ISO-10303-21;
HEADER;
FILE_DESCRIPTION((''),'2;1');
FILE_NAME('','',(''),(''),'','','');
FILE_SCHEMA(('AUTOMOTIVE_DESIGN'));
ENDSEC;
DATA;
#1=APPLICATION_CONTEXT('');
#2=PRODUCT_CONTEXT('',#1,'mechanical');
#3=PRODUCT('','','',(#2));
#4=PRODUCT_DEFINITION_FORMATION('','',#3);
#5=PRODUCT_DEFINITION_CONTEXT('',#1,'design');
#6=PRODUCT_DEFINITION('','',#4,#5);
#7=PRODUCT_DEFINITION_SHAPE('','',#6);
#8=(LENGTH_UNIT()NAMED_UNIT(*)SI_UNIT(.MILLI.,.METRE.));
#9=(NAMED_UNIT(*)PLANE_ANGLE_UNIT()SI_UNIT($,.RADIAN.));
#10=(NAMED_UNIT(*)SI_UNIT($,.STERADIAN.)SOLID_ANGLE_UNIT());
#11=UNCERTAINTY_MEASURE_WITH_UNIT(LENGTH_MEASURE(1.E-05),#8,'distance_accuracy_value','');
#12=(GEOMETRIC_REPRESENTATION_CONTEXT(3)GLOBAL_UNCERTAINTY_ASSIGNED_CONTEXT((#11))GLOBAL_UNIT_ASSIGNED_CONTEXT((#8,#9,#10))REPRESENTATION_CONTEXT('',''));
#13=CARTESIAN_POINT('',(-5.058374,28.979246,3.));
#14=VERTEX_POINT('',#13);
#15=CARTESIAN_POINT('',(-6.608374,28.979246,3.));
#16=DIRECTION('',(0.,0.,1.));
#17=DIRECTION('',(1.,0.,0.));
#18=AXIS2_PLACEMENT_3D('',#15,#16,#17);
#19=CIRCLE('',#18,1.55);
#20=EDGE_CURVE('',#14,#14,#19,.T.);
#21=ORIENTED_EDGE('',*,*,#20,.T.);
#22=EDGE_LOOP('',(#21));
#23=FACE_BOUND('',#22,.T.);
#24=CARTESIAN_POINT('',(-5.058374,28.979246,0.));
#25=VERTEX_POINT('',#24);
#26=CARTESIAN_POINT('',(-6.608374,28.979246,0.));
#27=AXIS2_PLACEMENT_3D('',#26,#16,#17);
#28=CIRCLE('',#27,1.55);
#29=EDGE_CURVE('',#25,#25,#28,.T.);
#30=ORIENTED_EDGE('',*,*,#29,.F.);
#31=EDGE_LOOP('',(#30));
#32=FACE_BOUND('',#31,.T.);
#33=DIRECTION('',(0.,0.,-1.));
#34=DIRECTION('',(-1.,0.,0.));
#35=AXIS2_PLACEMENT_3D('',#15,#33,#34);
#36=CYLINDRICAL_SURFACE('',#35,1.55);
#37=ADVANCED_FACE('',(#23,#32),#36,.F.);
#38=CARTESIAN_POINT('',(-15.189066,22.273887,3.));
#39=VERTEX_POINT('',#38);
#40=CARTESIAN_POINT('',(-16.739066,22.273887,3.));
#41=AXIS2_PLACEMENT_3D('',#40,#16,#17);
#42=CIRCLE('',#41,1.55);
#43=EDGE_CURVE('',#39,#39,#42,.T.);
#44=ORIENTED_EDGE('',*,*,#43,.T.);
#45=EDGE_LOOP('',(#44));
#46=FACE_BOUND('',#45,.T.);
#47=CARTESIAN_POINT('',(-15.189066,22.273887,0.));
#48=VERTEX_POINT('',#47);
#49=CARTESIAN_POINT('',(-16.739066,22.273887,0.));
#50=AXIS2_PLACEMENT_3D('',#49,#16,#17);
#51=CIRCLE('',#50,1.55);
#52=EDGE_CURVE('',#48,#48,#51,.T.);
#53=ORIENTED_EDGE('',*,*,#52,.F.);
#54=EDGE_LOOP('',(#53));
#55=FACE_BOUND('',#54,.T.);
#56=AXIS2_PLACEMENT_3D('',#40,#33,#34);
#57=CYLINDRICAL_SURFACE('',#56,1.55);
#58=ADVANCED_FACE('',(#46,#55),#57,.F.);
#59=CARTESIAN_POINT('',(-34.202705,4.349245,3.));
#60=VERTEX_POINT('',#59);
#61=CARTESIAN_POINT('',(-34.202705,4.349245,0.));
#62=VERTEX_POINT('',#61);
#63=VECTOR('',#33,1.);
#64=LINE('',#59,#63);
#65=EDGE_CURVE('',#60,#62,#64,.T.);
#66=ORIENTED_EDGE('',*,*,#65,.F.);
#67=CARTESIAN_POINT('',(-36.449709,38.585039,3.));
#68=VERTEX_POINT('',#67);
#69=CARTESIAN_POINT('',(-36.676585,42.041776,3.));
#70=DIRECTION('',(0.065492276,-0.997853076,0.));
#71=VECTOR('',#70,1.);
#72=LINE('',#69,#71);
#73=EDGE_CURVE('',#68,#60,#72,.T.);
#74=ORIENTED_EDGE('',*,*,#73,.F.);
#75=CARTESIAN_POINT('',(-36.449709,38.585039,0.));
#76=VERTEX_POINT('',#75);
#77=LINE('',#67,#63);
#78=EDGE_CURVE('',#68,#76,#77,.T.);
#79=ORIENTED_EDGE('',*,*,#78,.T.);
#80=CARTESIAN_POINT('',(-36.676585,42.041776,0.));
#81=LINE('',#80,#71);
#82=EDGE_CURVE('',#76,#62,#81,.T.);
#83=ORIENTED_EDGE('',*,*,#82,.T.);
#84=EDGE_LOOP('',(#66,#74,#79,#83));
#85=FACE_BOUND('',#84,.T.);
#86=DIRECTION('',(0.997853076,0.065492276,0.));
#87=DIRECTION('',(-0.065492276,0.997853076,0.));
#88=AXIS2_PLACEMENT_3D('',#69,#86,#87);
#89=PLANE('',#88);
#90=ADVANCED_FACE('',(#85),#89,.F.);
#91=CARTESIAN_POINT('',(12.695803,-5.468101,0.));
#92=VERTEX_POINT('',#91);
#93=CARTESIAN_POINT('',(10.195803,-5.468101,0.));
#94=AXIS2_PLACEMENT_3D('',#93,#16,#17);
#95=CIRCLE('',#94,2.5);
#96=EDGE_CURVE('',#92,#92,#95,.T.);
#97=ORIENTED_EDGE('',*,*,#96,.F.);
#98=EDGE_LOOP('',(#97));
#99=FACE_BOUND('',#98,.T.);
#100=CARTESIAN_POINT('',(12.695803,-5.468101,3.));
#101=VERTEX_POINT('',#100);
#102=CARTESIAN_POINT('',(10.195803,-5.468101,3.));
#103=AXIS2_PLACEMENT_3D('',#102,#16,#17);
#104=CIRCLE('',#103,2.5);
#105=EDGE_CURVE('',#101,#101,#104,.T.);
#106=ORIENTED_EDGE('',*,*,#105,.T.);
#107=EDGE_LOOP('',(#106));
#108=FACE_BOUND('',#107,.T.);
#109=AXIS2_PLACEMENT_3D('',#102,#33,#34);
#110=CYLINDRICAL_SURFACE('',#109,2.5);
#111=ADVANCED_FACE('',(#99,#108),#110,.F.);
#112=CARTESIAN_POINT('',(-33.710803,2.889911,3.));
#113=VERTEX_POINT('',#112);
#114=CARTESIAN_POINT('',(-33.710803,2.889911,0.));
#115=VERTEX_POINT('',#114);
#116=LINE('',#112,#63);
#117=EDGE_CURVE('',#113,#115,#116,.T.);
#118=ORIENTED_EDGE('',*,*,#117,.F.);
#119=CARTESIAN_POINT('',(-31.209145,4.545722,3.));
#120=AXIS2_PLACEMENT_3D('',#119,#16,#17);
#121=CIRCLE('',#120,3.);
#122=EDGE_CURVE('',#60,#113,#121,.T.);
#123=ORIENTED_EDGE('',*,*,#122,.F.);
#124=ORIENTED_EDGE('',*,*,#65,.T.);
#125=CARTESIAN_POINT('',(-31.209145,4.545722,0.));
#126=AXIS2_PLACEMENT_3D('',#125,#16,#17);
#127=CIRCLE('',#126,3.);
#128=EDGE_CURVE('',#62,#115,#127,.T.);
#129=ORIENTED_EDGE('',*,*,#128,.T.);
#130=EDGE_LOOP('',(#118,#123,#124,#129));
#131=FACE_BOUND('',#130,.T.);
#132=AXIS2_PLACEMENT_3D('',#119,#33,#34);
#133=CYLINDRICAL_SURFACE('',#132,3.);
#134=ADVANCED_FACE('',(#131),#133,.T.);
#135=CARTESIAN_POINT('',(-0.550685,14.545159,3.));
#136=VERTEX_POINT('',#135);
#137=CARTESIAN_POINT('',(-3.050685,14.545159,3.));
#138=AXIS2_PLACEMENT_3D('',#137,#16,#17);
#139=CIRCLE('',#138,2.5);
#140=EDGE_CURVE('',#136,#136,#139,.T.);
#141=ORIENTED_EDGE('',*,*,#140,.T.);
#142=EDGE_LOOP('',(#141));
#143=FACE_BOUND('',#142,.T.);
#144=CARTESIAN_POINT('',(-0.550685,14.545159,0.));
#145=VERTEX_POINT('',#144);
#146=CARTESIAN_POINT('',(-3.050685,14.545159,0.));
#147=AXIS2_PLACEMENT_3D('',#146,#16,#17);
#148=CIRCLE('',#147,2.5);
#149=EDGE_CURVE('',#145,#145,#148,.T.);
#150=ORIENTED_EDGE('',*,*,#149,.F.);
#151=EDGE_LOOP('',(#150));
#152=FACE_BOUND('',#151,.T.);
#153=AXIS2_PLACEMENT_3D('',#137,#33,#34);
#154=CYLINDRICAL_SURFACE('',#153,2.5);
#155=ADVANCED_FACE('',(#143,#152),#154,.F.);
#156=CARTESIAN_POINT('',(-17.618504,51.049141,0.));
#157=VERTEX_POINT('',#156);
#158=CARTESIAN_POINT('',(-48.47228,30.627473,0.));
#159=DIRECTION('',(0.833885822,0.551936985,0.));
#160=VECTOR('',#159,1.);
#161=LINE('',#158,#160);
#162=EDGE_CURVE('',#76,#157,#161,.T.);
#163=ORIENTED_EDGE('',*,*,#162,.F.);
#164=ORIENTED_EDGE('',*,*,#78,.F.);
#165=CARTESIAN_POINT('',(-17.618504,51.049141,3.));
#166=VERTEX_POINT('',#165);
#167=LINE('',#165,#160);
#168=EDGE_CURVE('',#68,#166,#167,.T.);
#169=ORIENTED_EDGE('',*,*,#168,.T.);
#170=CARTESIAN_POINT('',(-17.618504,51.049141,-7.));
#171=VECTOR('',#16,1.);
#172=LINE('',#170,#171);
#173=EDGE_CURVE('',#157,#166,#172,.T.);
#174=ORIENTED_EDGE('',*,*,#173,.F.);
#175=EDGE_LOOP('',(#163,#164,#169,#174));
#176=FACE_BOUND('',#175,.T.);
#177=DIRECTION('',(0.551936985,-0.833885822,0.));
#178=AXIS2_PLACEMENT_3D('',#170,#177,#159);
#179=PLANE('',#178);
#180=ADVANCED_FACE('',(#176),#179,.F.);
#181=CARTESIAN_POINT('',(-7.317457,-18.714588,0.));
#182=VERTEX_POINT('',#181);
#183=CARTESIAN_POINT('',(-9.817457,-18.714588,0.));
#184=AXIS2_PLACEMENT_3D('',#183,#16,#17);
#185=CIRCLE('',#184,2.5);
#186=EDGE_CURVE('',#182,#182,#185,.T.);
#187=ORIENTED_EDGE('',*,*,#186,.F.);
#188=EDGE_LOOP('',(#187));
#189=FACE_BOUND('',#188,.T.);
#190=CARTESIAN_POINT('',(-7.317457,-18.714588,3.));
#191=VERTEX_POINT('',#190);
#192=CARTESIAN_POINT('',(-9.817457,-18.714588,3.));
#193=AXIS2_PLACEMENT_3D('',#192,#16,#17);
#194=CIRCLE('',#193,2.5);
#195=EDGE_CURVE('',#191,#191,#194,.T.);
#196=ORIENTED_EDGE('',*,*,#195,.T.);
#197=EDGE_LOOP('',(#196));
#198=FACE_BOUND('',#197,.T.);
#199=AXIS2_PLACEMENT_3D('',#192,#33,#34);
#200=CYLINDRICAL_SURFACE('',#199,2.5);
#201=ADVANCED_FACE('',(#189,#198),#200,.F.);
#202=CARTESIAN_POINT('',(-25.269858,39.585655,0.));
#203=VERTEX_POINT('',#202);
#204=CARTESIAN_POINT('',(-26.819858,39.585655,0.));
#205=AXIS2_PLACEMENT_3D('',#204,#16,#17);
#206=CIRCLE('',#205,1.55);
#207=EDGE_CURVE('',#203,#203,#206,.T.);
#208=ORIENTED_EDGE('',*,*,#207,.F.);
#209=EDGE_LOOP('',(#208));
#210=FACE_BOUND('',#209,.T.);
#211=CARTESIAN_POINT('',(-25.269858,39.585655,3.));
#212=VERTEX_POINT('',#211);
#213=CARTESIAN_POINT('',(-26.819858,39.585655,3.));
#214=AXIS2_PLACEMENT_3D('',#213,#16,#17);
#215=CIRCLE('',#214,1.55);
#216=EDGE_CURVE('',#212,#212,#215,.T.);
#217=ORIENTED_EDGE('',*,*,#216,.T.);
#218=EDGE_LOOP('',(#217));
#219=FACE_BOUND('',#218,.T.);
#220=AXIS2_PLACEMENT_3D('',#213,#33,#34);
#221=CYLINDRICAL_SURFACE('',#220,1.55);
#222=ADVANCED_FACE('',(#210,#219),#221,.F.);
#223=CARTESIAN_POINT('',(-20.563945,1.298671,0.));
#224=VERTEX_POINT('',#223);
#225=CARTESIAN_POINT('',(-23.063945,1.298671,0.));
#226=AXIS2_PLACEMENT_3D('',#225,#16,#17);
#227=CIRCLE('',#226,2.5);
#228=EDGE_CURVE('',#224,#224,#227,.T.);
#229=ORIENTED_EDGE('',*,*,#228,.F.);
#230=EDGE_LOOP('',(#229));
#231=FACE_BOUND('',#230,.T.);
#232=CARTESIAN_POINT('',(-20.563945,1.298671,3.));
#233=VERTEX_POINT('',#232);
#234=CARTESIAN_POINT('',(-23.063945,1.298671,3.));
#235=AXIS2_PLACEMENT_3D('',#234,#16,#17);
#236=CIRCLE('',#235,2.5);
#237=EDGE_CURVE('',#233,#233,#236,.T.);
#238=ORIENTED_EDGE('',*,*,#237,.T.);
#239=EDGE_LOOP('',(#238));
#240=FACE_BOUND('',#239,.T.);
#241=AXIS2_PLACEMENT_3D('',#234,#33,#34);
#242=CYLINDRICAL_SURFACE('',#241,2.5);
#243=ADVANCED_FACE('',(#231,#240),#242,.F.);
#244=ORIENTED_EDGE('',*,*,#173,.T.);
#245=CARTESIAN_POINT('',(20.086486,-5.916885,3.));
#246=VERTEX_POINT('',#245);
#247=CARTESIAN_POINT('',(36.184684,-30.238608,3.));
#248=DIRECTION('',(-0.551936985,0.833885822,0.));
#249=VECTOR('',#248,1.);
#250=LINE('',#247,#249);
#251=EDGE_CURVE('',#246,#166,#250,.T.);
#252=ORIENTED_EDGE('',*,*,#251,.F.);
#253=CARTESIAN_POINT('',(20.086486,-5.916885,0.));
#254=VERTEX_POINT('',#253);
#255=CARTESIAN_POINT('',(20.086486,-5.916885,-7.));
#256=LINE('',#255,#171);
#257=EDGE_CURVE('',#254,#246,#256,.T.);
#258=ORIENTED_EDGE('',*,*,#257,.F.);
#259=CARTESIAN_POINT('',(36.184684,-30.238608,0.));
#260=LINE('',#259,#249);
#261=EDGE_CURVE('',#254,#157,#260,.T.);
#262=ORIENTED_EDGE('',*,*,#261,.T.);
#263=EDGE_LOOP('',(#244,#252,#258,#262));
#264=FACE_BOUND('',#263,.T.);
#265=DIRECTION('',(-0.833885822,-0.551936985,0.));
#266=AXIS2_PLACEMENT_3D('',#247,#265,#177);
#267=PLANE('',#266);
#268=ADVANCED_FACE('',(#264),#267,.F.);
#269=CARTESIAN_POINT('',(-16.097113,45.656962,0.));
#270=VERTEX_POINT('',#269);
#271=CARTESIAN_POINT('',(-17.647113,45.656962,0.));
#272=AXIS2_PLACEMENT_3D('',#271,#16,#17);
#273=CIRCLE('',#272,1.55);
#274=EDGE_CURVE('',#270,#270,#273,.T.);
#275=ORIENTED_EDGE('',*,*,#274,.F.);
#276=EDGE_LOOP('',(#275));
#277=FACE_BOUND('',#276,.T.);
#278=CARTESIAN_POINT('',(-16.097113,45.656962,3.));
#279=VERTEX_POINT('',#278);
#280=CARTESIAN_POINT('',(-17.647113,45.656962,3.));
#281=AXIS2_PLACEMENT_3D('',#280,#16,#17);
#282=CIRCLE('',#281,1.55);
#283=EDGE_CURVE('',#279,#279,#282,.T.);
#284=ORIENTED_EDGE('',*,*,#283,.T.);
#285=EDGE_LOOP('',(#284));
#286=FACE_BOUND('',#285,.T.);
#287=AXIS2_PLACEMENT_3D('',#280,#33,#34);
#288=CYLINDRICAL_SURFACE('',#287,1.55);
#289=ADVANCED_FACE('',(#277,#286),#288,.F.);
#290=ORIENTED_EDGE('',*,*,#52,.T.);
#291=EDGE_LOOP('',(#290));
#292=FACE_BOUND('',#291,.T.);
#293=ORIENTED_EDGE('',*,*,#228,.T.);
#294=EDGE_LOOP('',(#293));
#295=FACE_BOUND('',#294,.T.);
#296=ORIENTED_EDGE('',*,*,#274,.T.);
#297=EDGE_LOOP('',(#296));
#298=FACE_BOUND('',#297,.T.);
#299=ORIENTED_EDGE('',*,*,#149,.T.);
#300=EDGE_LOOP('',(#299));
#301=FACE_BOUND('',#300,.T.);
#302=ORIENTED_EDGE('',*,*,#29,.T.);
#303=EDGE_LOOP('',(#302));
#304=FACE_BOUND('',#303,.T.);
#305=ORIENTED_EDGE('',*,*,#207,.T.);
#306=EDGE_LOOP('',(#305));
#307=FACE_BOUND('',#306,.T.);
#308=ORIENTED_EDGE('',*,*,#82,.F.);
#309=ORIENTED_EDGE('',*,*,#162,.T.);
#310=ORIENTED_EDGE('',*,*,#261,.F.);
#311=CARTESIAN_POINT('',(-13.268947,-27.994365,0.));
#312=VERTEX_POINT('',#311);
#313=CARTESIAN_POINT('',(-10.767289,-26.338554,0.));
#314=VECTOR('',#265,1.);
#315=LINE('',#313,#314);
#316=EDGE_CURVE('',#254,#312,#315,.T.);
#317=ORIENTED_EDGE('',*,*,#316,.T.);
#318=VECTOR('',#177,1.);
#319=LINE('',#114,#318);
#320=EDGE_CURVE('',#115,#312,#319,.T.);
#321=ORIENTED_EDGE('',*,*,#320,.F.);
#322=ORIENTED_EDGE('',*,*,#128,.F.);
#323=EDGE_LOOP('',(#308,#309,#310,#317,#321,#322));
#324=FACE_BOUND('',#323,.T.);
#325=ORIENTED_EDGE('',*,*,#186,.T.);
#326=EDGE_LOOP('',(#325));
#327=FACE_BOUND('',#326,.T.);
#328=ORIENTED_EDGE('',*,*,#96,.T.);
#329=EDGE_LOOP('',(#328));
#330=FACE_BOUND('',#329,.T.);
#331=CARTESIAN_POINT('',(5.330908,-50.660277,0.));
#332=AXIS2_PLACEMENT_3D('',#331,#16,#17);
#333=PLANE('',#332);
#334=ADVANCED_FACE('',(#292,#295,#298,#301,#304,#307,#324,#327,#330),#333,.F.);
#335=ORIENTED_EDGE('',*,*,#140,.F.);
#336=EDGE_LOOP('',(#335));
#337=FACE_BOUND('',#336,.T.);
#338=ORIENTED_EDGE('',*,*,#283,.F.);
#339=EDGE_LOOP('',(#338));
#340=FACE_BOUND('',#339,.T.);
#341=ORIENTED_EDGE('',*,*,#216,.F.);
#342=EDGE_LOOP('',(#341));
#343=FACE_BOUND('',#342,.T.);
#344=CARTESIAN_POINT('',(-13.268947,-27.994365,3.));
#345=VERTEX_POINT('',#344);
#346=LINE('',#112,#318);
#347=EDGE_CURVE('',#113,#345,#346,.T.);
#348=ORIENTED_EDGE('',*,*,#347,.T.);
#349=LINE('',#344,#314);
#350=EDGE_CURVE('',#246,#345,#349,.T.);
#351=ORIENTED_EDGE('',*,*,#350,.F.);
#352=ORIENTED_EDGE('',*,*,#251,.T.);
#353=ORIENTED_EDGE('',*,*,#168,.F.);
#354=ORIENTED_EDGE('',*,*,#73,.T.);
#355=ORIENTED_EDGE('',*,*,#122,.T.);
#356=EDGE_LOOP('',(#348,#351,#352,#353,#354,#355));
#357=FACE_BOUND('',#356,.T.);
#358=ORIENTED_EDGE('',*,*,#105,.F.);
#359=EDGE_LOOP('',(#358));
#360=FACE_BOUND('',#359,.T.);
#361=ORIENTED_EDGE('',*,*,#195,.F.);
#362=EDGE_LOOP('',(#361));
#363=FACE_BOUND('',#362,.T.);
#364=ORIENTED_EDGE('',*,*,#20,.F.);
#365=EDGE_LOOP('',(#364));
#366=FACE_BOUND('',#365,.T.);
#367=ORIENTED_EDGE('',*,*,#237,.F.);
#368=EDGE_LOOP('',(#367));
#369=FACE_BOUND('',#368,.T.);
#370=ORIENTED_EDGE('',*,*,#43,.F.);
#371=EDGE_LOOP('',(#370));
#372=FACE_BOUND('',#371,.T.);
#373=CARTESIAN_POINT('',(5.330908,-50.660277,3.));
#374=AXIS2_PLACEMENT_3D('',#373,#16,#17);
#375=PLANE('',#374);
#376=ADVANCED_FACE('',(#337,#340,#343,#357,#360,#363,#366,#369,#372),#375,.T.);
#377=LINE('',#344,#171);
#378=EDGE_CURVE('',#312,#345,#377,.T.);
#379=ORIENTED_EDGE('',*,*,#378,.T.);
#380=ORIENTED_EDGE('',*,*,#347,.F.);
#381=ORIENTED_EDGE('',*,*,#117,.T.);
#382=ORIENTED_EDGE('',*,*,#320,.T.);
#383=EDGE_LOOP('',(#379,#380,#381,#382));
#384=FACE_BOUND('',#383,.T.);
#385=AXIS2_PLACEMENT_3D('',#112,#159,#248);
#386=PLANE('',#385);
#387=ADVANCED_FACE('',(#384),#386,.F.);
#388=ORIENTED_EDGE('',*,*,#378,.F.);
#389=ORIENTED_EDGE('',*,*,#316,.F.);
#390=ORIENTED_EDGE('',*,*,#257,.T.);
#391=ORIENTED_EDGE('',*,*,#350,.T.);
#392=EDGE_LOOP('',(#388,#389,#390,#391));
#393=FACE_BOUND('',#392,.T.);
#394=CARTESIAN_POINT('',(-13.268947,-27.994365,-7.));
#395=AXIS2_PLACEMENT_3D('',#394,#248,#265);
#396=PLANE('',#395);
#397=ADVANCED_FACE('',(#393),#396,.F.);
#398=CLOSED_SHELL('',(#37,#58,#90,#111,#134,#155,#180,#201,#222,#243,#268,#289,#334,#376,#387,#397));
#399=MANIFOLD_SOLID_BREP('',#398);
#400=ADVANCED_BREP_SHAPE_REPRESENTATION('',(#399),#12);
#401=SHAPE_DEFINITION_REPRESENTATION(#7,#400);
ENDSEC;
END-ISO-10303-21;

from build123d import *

# Parameters (mm, degrees)
EXTRUDE_1_DEPTH     = 3
CUT_EXTRUDE_1_DEPTH = 10
CUT_EXTRUDE_2_DEPTH = 10


with BuildPart() as part:
    # 草图1 → 凸台-拉伸1 (new body)
    with BuildSketch(Plane.XY):
        with BuildLine():
            Line((6.986719164, -53.161934409), (35.338837115, -34.396076908))
            ThreePointArc((35.338837115, -34.396076908), (36.622800273, -32.492523245), (36.184683625, -30.238608486))
            Line((36.184683625, -30.238608486), (-18.457077921, 52.316087899))
            ThreePointArc((-18.457077921, 52.316087899), (-20.360631584, 53.600051056), (-22.614546343, 53.161934409))
            Line((-22.614546343, 53.161934409), (-35.338837115, 44.739910071))
            ThreePointArc((-35.338837115, 44.739910071), (-36.370802739, 43.570865472), (-36.676585387, 42.041775777))
            Line((-36.676585387, 42.041775777), (-34.202704532, 4.349245051))
            ThreePointArc((-34.202704532, 4.349245051), (-34.051989945, 3.587476428), (-33.710802769, 2.889910923))
            Line((-33.710802769, 2.889910923), (2.829250742, -52.316087899))
            ThreePointArc((2.829250742, -52.316087899), (4.732804405, -53.600051056), (6.986719164, -53.161934409))
        make_face()
        with BuildLine():
            ThreePointArc((7.991481125, -42.903257428), (5.912746914, -42.480334173), (5.489823659, -44.559068384))
            ThreePointArc((5.489823659, -44.559068384), (7.56855787, -44.981991639), (7.991481125, -42.903257428))
        make_face(mode=Mode.SUBTRACT)
        with BuildLine():
            ThreePointArc((28.004740855, -29.65676978), (25.926006644, -29.233846525), (25.503083389, -31.312580736))
            ThreePointArc((25.503083389, -31.312580736), (27.5818176, -31.735503991), (28.004740855, -29.65676978))
        make_face(mode=Mode.SUBTRACT)
        with BuildLine():
            ThreePointArc((20.277623061, -17.982368271), (18.198888849, -17.559445016), (17.775965594, -19.638179227))
            ThreePointArc((17.775965594, -19.638179227), (19.854699805, -20.061102482), (20.277623061, -17.982368271))
        make_face(mode=Mode.SUBTRACT)
        with BuildLine():
            ThreePointArc((0.264363331, -31.228855919), (-1.81437088, -30.805932664), (-2.237294135, -32.884666875))
            ThreePointArc((-2.237294135, -32.884666875), (-0.158559924, -33.30759013), (0.264363331, -31.228855919))
        make_face(mode=Mode.SUBTRACT)
        with BuildLine():
            ThreePointArc((-7.732742612, -17.33474578), (-11.19729963, -16.629873689), (-11.902171722, -20.094430707))
            ThreePointArc((-11.902171722, -20.094430707), (-8.437614704, -20.799302799), (-7.732742612, -17.33474578))
        make_face(mode=Mode.SUBTRACT)
        with BuildLine():
            ThreePointArc((12.280517118, -4.088258133), (8.815960099, -3.383386041), (8.111088007, -6.84794306))
            ThreePointArc((8.111088007, -6.84794306), (11.575645026, -7.552815151), (12.280517118, -4.088258133))
        make_face(mode=Mode.SUBTRACT)
        with BuildLine():
            ThreePointArc((-20.97923026, 2.678513949), (-24.443787278, 3.383386041), (-25.14865937, -0.081170977))
            ThreePointArc((-25.14865937, -0.081170977), (-21.684102351, -0.786043069), (-20.97923026, 2.678513949))
        make_face(mode=Mode.SUBTRACT)
        with BuildLine():
            ThreePointArc((-0.96597053, 15.925001597), (-4.430527548, 16.629873689), (-5.13539964, 13.16531667))
            ThreePointArc((-5.13539964, 13.16531667), (-1.670842622, 12.460444578), (-0.96597053, 15.925001597))
        make_face(mode=Mode.SUBTRACT)
        with BuildLine():
            ThreePointArc((-5.315850745, 29.834747896), (-7.463876096, 30.271768593), (-7.900896793, 28.123743242))
            ThreePointArc((-7.900896793, 28.123743242), (-5.752871442, 27.686722545), (-5.315850745, 29.834747896))
        make_face(mode=Mode.SUBTRACT)
        with BuildLine():
            ThreePointArc((-15.446542758, 23.129389128), (-17.594568109, 23.566409825), (-18.031588806, 21.418384473))
            ThreePointArc((-18.031588806, 21.418384473), (-15.883563455, 20.981363776), (-15.446542758, 23.129389128))
        make_face(mode=Mode.SUBTRACT)
        with BuildLine():
            ThreePointArc((-16.354590451, 46.512464337), (-18.502615803, 46.949485034), (-18.9396365, 44.801459683))
            ThreePointArc((-18.9396365, 44.801459683), (-16.791611148, 44.364438986), (-16.354590451, 46.512464337))
        make_face(mode=Mode.SUBTRACT)
        with BuildLine():
            ThreePointArc((-25.527334494, 40.441157499), (-27.675359845, 40.878178196), (-28.112380542, 38.730152845))
            ThreePointArc((-28.112380542, 38.730152845), (-25.964355191, 38.293132148), (-25.527334494, 40.441157499))
        make_face(mode=Mode.SUBTRACT)
    extrude(amount=EXTRUDE_1_DEPTH)

    # 草图2 → 切除-拉伸1 (cut)
    with BuildSketch(Plane.XY.offset(3)):
        Polygon((-17.618504331, 51.049141407), (-36.449708749, 38.585039103), (-39.080293109, 42.559418534), (-20.249088692, 55.023520838), align=None)
        Polygon((22.294234295, -9.252428783), (-11.061198588, -31.329908196), (5.024024644, -55.632029551), (41.740524867, -31.329908196), align=None)
    extrude(amount=-CUT_EXTRUDE_1_DEPTH, mode=Mode.SUBTRACT)

    # 草图3 → 切除-拉伸2 (cut)
    with BuildSketch(Plane.XY.offset(3)):
        Polygon((-13.268946529, -27.994364908), (20.086486354, -5.916885495), (39.339377522, -11.508432246), (-14.131394495, -36.930591808), align=None)
    extrude(amount=-CUT_EXTRUDE_2_DEPTH, mode=Mode.SUBTRACT)


solid = part.part
